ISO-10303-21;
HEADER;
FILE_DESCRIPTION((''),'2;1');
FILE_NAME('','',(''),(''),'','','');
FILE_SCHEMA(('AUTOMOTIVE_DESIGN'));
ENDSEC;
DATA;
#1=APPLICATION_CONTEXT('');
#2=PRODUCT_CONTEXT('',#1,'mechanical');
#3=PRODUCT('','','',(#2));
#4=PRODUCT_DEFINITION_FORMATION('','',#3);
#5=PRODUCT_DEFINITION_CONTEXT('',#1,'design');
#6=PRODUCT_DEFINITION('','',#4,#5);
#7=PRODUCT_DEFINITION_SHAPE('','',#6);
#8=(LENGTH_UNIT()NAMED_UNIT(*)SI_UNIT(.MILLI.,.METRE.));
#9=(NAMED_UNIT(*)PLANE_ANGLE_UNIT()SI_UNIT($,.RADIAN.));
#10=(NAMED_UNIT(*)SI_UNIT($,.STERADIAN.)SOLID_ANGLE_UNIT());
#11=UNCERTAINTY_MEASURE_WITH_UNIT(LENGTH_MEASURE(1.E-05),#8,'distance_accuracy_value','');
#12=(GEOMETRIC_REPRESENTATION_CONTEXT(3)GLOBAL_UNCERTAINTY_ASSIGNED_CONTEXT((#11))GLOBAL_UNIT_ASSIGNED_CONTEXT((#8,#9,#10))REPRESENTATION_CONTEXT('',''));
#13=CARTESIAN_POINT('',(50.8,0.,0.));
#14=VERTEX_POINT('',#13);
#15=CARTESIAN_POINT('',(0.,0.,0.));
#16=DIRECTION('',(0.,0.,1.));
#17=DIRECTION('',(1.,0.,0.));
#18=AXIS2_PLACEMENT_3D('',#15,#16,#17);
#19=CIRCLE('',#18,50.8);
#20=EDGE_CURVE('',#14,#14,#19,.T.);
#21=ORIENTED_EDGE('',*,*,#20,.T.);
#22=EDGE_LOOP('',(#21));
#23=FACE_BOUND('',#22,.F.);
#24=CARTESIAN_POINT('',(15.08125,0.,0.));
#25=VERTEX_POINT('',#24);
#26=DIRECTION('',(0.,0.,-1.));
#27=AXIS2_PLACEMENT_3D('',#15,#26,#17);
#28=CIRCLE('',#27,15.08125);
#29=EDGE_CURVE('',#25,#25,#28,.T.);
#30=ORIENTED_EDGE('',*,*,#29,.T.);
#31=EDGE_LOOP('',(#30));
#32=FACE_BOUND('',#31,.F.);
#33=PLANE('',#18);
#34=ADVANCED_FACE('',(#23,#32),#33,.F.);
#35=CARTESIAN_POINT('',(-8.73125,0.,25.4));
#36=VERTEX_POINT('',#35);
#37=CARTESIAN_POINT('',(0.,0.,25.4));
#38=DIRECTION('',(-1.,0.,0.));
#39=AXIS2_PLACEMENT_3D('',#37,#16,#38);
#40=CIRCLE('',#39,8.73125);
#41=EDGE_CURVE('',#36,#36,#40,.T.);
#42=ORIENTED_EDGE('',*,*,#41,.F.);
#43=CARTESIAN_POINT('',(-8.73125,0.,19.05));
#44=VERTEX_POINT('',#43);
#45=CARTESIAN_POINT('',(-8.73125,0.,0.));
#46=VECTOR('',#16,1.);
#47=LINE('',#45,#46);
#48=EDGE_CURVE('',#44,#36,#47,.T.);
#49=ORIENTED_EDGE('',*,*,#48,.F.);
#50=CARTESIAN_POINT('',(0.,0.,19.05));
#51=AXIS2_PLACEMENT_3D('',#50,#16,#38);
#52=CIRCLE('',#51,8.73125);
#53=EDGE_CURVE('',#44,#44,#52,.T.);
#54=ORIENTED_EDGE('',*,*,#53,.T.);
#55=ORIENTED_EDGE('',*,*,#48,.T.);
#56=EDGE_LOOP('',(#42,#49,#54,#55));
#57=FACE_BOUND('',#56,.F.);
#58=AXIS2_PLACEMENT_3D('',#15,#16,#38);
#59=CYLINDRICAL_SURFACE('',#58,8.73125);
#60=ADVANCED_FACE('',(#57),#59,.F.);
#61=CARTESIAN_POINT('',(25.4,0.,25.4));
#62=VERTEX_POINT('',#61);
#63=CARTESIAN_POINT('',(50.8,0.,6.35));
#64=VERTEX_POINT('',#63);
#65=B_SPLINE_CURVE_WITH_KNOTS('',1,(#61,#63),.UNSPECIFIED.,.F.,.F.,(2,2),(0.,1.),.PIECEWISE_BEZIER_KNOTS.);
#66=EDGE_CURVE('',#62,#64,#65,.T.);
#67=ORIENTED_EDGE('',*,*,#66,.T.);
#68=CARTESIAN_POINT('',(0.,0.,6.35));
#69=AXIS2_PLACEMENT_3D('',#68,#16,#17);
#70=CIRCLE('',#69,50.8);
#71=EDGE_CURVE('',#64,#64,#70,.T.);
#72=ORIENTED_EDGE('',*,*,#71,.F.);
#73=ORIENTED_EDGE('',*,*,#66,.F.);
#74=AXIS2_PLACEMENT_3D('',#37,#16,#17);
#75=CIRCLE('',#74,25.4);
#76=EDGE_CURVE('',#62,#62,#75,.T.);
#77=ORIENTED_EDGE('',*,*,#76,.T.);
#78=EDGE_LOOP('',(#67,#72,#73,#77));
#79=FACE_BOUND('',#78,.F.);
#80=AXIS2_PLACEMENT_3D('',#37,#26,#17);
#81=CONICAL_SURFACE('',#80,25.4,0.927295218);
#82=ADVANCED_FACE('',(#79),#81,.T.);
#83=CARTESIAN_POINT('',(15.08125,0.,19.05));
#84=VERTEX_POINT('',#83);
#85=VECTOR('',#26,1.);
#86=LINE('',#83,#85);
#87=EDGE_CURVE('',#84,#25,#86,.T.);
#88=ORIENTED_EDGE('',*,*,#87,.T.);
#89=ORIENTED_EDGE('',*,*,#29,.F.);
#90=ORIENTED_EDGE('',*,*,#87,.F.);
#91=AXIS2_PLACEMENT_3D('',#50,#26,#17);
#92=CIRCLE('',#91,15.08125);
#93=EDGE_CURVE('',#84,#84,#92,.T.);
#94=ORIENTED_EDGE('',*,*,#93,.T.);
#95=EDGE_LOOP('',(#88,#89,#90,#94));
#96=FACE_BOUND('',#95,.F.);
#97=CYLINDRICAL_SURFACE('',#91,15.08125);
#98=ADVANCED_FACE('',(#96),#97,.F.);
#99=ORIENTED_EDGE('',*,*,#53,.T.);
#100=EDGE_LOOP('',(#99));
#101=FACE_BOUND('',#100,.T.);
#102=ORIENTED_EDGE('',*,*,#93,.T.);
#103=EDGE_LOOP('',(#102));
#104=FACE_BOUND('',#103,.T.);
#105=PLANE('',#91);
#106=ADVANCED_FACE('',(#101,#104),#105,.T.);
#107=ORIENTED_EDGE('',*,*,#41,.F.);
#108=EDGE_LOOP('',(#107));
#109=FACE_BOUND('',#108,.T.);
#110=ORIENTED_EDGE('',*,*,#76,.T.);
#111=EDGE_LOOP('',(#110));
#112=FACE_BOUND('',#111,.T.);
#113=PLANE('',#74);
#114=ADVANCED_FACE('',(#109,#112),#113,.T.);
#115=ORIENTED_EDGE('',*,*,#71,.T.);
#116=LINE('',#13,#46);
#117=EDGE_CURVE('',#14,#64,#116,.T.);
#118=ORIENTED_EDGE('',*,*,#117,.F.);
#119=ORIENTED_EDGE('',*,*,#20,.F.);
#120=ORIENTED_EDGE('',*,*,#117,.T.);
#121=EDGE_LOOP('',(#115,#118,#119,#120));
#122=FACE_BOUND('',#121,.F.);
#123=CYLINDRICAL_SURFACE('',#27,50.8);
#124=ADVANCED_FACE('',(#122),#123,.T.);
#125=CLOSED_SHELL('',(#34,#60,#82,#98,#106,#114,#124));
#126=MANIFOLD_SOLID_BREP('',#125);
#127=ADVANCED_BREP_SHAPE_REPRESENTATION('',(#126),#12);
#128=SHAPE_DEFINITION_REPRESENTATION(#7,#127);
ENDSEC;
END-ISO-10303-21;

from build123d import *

# Parameters (mm, degrees)
F0_R           = 50.8
F1_DEPTH       = 6.35
F3_R           = 25.4
F1_FACE_R      = 50.8
F6_D           = 17.4625
F6_CBORE_D     = 30.1625
F6_CBORE_DEPTH = 19.05


with BuildPart() as f1:
    # F0 (on Top) → F1 (new body)
    with BuildSketch(Plane.XY):
        Circle(F0_R)
    extrude(amount=F1_DEPTH)

    # F3 (on offset) → F4 section 0
    with BuildSketch(Plane.XY.offset(25.4)):
        Circle(F3_R)
    # F1_face (on face) → F4 section 1
    with BuildSketch(Plane.XY.offset(6.35)):
        Circle(F1_FACE_R)
    loft()

    # F6 (through all)
    with Locations(Plane(origin=(0, 0, 0), x_dir=(1, 0, 0), z_dir=(0, 0, -1))):
        with Locations((0, 0)):
            CounterBoreHole(F6_D / 2, F6_CBORE_D / 2, F6_CBORE_DEPTH)


solid = f1.part
